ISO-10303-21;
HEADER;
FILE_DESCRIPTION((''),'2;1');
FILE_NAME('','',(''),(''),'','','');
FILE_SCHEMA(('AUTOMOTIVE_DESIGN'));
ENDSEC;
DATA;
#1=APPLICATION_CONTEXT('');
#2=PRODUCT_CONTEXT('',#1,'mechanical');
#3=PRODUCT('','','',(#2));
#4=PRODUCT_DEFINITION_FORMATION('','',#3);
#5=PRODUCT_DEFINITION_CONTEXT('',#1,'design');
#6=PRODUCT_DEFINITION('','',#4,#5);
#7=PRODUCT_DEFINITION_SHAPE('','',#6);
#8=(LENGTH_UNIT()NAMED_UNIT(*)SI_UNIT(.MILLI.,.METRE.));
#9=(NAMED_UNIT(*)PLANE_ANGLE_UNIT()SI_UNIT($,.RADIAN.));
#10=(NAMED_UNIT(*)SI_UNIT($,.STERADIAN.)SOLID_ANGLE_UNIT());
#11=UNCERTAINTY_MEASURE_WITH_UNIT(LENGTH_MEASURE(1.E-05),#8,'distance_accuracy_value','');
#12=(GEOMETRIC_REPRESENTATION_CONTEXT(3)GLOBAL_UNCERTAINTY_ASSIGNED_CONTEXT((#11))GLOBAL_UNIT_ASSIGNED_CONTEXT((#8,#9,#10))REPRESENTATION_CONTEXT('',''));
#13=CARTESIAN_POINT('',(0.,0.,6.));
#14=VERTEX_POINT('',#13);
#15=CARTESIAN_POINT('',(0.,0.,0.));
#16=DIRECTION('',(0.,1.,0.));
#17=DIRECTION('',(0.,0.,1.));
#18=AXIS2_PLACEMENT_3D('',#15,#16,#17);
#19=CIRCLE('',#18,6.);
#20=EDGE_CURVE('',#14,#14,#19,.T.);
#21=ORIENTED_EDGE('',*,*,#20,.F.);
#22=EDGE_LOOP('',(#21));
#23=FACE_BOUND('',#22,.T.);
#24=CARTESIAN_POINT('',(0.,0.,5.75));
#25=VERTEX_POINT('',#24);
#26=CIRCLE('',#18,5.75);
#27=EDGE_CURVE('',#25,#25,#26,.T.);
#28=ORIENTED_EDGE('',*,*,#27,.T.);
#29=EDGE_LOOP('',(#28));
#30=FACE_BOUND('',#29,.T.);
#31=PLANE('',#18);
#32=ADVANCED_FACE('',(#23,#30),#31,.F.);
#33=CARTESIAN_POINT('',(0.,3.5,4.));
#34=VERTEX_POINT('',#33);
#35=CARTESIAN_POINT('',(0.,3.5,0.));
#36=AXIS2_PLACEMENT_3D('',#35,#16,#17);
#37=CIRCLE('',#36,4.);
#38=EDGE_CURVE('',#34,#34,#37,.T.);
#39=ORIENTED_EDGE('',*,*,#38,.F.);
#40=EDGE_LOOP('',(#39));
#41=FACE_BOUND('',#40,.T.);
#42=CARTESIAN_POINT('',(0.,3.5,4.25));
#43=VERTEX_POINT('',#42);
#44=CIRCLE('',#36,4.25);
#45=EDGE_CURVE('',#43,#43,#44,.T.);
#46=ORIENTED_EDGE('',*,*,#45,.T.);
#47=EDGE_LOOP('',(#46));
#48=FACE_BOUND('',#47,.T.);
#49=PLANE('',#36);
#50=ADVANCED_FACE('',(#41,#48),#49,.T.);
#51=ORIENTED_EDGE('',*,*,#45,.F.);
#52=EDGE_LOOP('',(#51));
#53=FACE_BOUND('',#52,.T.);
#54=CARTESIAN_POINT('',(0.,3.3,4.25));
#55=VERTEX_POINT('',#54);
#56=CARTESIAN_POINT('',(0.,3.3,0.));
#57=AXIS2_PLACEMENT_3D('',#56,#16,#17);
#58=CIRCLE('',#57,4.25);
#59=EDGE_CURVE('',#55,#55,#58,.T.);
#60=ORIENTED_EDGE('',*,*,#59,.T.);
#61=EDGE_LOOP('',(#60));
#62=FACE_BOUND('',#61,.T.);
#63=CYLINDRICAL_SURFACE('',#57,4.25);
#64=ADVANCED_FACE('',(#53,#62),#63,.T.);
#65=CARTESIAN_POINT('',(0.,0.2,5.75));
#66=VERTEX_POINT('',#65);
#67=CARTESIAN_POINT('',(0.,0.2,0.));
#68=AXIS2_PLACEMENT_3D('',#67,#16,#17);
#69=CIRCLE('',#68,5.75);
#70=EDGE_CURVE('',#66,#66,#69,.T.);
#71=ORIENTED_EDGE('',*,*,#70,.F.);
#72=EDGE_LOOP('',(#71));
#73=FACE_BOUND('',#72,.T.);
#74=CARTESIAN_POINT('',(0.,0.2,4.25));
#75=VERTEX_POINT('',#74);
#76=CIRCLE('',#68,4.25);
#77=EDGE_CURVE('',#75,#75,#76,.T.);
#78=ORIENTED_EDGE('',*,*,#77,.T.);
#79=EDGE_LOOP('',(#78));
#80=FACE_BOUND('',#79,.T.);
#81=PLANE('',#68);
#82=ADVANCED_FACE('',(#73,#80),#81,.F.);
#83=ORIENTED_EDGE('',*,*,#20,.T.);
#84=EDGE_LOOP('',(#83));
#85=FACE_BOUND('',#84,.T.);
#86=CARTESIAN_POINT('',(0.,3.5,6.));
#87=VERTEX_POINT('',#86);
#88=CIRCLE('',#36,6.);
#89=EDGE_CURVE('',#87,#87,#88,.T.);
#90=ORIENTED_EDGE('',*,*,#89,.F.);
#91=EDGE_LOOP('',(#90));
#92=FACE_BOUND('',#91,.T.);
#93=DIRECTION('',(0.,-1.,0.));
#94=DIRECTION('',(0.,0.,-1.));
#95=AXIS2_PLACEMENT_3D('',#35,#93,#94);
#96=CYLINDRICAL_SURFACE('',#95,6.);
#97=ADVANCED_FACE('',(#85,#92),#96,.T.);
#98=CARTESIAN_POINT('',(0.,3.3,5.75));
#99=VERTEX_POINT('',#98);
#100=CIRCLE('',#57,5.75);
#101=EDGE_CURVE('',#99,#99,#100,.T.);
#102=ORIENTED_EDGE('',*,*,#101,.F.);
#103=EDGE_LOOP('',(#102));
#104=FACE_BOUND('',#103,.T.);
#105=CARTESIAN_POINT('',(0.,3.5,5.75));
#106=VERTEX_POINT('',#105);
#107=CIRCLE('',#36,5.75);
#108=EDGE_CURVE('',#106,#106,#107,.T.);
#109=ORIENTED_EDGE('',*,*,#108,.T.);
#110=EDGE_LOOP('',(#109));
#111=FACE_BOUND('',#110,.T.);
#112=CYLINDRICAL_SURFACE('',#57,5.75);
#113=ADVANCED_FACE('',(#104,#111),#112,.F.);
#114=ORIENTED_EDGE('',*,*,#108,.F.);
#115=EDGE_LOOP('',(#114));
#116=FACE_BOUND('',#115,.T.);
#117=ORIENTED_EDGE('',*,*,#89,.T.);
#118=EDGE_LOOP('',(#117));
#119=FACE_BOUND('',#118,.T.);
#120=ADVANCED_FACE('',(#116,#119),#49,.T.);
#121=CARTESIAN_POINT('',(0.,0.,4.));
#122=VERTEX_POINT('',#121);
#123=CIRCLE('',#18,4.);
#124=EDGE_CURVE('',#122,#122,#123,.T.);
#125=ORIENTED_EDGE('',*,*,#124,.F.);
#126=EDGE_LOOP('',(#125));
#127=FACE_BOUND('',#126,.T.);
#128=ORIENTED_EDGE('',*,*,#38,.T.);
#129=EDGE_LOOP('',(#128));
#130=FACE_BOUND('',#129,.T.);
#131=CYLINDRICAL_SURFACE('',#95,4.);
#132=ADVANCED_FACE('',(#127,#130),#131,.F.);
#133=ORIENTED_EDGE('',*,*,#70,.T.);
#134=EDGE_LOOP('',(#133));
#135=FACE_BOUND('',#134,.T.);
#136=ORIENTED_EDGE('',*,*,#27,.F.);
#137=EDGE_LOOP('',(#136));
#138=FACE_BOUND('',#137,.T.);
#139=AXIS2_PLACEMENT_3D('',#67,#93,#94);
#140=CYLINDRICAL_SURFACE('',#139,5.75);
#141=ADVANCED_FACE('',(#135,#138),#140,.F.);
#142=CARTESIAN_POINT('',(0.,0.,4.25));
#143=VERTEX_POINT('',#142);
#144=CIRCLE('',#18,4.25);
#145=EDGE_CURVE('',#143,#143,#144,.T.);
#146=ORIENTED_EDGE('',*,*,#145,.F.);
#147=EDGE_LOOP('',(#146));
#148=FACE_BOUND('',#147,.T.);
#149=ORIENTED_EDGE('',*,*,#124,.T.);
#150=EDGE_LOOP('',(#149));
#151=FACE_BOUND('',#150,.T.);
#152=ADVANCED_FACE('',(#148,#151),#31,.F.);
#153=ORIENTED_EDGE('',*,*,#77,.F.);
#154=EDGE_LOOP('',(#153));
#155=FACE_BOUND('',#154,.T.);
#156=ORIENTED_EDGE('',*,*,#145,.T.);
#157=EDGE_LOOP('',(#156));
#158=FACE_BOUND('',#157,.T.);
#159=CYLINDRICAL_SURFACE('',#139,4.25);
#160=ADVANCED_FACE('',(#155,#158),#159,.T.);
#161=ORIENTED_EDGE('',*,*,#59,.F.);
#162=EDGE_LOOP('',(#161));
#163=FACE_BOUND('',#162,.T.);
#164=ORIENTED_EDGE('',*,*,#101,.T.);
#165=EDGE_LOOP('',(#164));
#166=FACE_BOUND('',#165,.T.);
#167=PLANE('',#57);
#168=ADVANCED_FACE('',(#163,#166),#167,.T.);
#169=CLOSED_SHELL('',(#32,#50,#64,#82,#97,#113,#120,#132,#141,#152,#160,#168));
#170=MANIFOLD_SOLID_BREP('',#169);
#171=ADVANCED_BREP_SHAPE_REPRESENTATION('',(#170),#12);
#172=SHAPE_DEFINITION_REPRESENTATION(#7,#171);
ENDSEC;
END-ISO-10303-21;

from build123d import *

# Parameters (mm, degrees)
SKETCH1_R           = 6
SKETCH1_R_2         = 4
BOSS_EXTRUDE1_DEPTH = 3.5
SKETCH2_R           = 5.75
SKETCH2_R_2         = 4.25
CUT_EXTRUDE1_DEPTH  = 0.2
CUT_EXTRUDE2_START  = -3.5
SKETCH2_2_R         = 5.75
SKETCH2_2_R_2       = 4.25
CUT_EXTRUDE2_DEPTH  = 0.2


with BuildPart() as part:
    # Sketch1 → Boss-Extrude1 (new body)
    with BuildSketch(Plane(origin=(0, 0, 0), x_dir=(1, 0, 0), z_dir=(0, 1, 0))):
        Circle(SKETCH1_R)
        Circle(SKETCH1_R_2, mode=Mode.SUBTRACT)
    extrude(amount=BOSS_EXTRUDE1_DEPTH)

    # Sketch2 → Cut-Extrude1 (cut)
    with BuildSketch(Plane(origin=(0, 3.5, 0), x_dir=(1, 0, 0), z_dir=(0, 1, 0))):
        Circle(SKETCH2_R)
        Circle(SKETCH2_R_2, mode=Mode.SUBTRACT)
    extrude(amount=-CUT_EXTRUDE1_DEPTH, mode=Mode.SUBTRACT)

    # Sketch2<2> → Cut-Extrude2 (cut)
    with BuildSketch(Plane(origin=(0, 3.5, 0), x_dir=(1, 0, 0), z_dir=(0, 1, 0)).offset(CUT_EXTRUDE2_START)):
        Circle(SKETCH2_2_R)
        Circle(SKETCH2_2_R_2, mode=Mode.SUBTRACT)
    extrude(amount=CUT_EXTRUDE2_DEPTH, mode=Mode.SUBTRACT)


solid = part.part
